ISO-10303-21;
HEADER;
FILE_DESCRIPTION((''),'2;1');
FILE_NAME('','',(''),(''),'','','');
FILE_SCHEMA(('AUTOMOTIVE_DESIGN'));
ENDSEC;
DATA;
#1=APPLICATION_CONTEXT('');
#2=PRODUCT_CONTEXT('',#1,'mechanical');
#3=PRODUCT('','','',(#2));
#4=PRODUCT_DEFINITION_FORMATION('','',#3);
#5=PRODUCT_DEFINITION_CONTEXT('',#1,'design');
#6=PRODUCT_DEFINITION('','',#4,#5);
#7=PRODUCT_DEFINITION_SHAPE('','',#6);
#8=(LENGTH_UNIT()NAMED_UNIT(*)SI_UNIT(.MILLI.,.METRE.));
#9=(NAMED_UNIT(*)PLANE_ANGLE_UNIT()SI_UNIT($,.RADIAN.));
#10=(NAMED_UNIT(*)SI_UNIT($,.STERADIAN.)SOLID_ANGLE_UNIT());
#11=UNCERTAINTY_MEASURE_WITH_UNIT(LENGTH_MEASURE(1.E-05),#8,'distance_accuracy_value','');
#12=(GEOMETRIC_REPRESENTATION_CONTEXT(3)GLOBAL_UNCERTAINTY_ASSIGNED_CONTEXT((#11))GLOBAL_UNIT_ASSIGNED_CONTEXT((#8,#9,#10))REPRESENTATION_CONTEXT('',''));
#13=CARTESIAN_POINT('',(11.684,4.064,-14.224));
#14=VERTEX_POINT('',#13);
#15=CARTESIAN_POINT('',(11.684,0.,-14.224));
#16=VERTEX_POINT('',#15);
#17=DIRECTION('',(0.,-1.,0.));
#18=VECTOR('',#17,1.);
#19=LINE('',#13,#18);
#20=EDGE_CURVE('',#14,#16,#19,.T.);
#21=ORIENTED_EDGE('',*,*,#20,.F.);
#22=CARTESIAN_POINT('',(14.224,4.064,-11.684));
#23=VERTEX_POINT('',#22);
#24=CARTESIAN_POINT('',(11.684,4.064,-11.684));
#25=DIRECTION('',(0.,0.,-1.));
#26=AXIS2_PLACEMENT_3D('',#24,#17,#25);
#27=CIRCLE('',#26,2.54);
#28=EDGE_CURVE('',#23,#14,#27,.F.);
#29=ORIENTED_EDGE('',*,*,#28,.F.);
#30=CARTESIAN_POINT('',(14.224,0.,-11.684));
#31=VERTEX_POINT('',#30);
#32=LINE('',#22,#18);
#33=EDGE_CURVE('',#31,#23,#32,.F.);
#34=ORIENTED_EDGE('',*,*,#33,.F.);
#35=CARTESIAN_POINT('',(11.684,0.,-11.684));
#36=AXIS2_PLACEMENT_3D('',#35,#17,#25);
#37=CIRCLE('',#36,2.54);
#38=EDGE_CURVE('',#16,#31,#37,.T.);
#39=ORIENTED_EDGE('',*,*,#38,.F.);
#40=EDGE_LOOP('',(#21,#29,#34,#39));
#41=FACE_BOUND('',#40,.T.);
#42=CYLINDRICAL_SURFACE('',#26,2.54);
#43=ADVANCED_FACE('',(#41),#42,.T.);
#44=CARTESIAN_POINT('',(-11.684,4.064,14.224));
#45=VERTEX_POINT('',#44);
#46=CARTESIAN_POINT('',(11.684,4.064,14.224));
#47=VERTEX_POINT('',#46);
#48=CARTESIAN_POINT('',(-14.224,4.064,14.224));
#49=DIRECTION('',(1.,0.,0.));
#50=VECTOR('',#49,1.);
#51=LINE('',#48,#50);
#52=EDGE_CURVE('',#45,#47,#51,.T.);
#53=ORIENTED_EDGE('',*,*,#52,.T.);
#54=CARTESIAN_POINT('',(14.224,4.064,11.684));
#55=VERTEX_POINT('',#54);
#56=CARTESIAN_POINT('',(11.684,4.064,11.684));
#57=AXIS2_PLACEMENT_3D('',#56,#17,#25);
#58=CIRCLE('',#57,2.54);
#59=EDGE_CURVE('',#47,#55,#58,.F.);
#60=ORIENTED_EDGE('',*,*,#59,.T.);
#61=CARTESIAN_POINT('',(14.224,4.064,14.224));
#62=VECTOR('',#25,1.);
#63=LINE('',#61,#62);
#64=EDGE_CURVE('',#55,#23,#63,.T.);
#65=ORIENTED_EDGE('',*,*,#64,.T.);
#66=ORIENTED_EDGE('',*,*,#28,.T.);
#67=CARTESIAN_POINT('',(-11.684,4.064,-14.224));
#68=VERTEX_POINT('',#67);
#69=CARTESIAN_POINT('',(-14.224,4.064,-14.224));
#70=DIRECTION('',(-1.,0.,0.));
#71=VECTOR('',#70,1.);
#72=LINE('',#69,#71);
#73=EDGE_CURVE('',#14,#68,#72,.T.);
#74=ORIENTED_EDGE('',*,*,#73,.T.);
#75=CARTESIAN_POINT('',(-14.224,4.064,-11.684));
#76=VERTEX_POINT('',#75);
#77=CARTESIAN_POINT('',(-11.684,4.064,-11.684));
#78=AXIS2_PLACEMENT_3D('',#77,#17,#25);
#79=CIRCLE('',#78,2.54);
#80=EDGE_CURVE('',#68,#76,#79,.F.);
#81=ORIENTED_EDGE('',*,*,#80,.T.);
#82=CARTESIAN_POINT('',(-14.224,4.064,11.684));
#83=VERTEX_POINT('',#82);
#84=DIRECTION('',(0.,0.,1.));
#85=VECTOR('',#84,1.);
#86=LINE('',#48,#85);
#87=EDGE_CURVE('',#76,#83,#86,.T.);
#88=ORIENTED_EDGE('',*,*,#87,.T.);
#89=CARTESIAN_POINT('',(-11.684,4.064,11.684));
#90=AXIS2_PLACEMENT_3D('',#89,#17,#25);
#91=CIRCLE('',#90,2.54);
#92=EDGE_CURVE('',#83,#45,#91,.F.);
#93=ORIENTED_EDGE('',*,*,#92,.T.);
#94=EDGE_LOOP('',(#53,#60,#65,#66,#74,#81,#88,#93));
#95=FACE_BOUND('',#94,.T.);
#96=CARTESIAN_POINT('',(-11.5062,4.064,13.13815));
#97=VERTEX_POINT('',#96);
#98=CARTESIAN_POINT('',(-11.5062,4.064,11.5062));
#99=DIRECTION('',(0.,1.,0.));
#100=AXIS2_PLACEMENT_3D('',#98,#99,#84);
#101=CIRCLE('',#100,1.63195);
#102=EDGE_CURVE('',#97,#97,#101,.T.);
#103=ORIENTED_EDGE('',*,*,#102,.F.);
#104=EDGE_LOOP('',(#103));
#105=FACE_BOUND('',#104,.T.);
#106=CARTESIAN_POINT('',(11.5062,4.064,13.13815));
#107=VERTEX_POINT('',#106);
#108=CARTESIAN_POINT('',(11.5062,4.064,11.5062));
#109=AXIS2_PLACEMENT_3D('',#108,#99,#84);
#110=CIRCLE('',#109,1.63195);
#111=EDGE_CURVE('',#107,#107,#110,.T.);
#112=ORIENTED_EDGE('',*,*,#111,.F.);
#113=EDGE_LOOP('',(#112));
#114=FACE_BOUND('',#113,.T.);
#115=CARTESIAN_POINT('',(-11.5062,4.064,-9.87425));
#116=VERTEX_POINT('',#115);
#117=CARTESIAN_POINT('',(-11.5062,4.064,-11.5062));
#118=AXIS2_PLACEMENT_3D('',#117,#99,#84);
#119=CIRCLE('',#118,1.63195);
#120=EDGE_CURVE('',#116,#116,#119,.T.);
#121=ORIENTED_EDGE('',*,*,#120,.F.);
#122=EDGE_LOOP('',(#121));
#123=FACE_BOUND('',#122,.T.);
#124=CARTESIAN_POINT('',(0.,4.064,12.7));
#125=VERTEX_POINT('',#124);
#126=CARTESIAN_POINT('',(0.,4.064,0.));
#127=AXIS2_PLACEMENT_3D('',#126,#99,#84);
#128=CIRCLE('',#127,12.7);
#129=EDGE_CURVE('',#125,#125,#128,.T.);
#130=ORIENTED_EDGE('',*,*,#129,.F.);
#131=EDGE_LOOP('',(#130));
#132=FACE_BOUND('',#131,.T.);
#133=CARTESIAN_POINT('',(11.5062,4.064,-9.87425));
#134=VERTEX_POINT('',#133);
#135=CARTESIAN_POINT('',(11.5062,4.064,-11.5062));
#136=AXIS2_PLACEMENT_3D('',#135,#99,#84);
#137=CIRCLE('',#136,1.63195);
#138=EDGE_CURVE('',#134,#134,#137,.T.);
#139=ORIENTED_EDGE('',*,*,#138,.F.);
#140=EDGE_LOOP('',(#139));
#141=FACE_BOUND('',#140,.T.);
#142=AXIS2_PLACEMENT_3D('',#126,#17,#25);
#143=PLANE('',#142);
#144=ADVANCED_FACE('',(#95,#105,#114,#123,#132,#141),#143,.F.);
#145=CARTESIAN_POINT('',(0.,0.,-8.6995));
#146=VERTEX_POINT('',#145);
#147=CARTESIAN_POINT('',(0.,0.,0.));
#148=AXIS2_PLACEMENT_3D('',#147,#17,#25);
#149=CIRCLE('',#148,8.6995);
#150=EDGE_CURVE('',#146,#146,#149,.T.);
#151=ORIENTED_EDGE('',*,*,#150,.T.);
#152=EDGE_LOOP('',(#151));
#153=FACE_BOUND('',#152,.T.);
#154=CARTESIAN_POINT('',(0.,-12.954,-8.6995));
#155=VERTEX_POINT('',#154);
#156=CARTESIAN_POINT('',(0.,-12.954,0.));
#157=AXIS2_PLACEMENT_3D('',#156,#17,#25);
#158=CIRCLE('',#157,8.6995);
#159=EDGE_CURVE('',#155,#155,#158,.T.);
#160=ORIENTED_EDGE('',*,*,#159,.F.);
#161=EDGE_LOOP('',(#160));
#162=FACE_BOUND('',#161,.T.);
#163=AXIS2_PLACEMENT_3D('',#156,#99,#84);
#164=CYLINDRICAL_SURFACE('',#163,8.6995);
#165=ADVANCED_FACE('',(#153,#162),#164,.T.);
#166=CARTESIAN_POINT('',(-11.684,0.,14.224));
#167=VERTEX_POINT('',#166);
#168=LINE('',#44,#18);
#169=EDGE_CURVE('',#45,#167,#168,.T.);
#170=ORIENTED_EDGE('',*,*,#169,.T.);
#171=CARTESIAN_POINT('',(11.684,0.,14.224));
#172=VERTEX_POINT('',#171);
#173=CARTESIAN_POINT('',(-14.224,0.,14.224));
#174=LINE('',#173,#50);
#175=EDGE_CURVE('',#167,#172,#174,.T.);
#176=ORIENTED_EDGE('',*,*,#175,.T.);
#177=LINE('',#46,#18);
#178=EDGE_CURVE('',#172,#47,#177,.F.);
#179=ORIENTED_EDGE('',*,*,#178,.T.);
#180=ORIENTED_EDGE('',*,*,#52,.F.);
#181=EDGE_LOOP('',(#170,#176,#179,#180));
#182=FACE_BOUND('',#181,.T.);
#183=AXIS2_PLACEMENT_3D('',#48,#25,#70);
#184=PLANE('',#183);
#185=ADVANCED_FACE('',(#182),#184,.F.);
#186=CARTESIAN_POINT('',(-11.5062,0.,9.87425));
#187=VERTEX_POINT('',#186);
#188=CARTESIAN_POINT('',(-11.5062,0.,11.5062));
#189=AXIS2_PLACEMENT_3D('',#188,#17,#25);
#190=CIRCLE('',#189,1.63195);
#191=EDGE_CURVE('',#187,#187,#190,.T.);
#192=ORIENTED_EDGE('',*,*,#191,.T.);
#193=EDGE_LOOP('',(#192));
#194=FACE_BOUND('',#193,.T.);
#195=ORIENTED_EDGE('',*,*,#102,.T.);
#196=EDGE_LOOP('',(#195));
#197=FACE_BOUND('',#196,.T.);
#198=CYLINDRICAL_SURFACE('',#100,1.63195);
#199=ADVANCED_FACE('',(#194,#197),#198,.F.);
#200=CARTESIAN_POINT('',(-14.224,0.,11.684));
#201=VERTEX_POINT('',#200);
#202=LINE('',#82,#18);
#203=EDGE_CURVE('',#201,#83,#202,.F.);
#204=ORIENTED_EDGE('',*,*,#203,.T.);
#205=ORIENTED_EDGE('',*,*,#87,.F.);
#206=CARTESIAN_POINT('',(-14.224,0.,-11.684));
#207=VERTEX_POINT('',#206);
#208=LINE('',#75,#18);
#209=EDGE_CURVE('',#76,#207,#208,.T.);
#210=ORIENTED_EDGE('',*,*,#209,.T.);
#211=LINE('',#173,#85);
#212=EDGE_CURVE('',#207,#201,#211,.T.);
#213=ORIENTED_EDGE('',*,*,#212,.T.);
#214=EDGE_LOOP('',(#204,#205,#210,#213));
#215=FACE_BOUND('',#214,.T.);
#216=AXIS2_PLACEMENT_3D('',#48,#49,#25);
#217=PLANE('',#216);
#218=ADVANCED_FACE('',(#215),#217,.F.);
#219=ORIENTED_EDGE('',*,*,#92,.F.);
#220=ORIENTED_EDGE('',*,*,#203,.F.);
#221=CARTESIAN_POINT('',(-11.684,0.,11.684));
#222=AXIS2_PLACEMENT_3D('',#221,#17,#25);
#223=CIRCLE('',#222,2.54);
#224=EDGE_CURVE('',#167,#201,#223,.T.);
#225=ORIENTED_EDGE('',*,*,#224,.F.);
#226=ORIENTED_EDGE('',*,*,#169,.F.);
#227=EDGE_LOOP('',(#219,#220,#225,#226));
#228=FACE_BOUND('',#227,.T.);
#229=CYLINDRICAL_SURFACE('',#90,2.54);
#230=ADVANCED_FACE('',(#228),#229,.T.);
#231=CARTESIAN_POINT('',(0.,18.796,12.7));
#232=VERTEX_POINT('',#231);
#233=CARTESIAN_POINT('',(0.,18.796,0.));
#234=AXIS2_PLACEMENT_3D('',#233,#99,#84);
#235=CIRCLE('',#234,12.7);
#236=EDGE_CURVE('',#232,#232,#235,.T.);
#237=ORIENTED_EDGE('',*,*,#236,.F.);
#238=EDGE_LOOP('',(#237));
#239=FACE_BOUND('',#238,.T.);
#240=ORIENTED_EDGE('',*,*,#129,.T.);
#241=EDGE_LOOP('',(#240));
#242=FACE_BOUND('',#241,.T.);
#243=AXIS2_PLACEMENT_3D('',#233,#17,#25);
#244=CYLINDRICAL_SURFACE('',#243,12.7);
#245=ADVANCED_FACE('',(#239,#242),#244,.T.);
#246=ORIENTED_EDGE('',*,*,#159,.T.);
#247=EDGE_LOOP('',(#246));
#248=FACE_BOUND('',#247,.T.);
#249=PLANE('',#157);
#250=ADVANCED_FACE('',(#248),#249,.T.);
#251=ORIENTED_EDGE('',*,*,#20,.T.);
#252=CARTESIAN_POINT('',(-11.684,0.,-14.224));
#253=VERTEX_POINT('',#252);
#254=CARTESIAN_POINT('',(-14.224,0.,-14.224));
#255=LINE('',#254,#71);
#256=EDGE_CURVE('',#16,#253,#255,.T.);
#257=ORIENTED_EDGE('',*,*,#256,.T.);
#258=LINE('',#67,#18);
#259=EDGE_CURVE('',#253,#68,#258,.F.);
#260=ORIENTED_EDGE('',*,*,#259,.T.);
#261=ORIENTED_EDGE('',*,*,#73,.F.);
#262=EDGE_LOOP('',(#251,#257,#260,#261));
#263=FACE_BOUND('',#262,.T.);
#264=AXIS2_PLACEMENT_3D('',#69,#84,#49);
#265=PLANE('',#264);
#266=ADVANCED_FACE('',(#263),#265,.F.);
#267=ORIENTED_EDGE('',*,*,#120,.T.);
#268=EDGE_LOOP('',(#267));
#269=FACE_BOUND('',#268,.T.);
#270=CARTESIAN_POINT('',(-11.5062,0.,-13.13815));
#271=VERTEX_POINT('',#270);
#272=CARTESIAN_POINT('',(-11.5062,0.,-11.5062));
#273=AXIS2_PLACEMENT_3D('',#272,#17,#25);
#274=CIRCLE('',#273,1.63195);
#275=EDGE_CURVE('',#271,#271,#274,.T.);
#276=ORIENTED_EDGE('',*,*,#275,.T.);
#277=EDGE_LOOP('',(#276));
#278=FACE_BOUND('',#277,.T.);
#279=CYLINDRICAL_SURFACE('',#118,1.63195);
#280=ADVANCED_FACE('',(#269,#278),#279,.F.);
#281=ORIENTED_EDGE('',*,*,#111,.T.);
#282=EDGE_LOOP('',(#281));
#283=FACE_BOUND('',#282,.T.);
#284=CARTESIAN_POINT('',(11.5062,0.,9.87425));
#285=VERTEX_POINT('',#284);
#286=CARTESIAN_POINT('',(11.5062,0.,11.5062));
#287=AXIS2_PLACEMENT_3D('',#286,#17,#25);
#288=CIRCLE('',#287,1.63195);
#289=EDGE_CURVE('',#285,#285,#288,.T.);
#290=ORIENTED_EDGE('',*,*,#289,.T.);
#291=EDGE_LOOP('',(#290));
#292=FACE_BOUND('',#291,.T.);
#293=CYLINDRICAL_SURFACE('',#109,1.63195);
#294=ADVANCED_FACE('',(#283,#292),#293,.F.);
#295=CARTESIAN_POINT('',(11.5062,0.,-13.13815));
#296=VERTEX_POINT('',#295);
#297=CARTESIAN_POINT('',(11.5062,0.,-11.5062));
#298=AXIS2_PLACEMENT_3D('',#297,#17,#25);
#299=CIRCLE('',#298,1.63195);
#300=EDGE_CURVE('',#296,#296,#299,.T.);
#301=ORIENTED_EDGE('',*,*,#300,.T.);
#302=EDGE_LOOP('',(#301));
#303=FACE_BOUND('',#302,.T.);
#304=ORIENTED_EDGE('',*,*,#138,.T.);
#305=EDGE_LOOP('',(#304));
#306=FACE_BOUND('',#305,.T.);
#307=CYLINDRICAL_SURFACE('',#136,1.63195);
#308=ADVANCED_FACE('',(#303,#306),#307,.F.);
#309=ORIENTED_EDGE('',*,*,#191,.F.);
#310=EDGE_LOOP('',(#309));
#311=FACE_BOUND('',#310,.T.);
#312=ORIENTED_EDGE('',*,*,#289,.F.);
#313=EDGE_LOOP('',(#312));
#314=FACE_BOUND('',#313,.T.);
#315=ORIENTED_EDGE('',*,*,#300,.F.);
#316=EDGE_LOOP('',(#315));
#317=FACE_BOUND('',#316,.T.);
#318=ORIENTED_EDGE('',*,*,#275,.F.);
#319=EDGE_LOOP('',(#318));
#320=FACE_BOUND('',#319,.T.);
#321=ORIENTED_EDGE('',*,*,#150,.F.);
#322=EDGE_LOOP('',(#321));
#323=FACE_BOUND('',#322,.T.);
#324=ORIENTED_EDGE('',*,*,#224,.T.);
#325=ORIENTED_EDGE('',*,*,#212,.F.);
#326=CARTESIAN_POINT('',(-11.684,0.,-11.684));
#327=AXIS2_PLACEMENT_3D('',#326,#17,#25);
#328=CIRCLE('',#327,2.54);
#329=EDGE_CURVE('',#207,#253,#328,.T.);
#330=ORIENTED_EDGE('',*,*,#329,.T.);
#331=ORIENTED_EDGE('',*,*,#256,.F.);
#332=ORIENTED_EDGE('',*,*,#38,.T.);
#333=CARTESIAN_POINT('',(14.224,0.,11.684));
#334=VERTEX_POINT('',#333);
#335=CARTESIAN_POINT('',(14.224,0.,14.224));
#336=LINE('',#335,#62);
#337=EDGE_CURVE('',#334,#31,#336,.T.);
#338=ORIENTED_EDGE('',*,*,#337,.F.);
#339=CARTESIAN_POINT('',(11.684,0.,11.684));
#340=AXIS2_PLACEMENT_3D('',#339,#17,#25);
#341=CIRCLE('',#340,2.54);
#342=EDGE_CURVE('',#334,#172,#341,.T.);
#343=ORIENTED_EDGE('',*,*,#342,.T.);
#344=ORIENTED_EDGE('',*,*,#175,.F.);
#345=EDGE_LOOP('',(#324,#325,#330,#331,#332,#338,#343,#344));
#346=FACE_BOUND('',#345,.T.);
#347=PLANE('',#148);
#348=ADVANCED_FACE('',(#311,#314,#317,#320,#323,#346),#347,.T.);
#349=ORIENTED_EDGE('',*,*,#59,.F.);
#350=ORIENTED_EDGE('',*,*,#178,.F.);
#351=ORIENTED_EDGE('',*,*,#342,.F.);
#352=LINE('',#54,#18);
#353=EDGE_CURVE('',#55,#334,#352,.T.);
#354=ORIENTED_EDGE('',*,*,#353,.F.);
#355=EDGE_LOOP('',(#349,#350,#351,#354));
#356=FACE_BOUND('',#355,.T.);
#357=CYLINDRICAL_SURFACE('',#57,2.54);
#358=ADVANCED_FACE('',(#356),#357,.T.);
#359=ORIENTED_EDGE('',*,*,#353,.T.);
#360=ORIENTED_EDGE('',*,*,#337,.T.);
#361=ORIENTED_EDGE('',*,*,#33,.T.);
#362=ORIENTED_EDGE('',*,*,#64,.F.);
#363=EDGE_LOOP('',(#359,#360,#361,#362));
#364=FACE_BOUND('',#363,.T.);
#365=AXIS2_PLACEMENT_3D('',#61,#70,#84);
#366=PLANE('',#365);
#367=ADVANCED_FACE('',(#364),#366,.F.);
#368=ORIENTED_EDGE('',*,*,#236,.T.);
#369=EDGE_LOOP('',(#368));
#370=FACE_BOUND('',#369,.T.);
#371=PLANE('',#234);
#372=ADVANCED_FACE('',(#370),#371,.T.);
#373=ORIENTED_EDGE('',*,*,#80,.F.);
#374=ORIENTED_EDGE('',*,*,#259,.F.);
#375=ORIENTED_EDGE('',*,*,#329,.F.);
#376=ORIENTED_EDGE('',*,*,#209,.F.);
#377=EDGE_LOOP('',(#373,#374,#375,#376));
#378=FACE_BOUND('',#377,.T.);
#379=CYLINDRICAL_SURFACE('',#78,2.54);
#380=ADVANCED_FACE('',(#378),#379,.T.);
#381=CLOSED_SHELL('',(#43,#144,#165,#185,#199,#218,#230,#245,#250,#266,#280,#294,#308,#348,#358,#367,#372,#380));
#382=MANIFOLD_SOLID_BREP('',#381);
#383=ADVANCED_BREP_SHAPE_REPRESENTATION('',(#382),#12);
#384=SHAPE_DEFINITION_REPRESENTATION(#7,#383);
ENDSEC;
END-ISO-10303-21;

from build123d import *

# Parameters (mm, degrees)
SKETCH1_W                 = 28.448
SKETCH1_H                 = 28.448
BOSS_EXTRUDE1_DEPTH       = 4.064
SKETCH2_R                 = 12.7
BOSS_EXTRUDE2_DEPTH       = 14.732
SKETCH3_R                 = 8.6995
BOSS_EXTRUDE3_DEPTH       = 12.954
F_4_CLEARANCE_HOLE1_D     = 3.2639
F_4_CLEARANCE_HOLE1_DEPTH = 7.62
F_4_CLEARANCE_HOLE1_TIP   = 0.980574487
FILLET1_R                 = 2.54


with BuildPart() as part:
    # Sketch1 → Boss-Extrude1 (new body)
    with BuildSketch(Plane(origin=(0, 0, 0), x_dir=(1, 0, 0), z_dir=(0, 1, 0))):
        Rectangle(SKETCH1_W, SKETCH1_H)
    extrude(amount=BOSS_EXTRUDE1_DEPTH)

    # Sketch2 → Boss-Extrude2 (add)
    with BuildSketch(Plane(origin=(0, 4.064, 0), x_dir=(1, 0, 0), z_dir=(0, 1, 0))):
        Circle(SKETCH2_R)
    extrude(amount=BOSS_EXTRUDE2_DEPTH)

    # Sketch3 → Boss-Extrude3 (add)
    with BuildSketch(Plane.XZ):
        Circle(SKETCH3_R)
    extrude(amount=BOSS_EXTRUDE3_DEPTH)

    # #4 Clearance Hole1
    with Locations(Plane(origin=(0, 4.064, 0), x_dir=(1, 0, 0), z_dir=(0, 1, 0))):
        with Locations((-11.5062, -11.5062), (11.5062, 11.5062), (-11.5062, 11.5062), (11.5062, -11.5062)):
            Hole(F_4_CLEARANCE_HOLE1_D / 2, depth=F_4_CLEARANCE_HOLE1_DEPTH)
            with Locations((0, 0, -(F_4_CLEARANCE_HOLE1_DEPTH + F_4_CLEARANCE_HOLE1_TIP / 2))):  # 118° drill point
                Cone(0, F_4_CLEARANCE_HOLE1_D / 2, F_4_CLEARANCE_HOLE1_TIP, mode=Mode.SUBTRACT)

    # Fillet1
    fillet1_edges = [part.edges().sort_by_distance(p)[0] for p in [
        (14.224, 2.032, 14.224),
        (-14.224, 2.032, 14.224),
        (-14.224, 2.032, -14.224),
        (14.224, 2.032, -14.224),
    ]]
    fillet(fillet1_edges, radius=FILLET1_R)


solid = part.part
